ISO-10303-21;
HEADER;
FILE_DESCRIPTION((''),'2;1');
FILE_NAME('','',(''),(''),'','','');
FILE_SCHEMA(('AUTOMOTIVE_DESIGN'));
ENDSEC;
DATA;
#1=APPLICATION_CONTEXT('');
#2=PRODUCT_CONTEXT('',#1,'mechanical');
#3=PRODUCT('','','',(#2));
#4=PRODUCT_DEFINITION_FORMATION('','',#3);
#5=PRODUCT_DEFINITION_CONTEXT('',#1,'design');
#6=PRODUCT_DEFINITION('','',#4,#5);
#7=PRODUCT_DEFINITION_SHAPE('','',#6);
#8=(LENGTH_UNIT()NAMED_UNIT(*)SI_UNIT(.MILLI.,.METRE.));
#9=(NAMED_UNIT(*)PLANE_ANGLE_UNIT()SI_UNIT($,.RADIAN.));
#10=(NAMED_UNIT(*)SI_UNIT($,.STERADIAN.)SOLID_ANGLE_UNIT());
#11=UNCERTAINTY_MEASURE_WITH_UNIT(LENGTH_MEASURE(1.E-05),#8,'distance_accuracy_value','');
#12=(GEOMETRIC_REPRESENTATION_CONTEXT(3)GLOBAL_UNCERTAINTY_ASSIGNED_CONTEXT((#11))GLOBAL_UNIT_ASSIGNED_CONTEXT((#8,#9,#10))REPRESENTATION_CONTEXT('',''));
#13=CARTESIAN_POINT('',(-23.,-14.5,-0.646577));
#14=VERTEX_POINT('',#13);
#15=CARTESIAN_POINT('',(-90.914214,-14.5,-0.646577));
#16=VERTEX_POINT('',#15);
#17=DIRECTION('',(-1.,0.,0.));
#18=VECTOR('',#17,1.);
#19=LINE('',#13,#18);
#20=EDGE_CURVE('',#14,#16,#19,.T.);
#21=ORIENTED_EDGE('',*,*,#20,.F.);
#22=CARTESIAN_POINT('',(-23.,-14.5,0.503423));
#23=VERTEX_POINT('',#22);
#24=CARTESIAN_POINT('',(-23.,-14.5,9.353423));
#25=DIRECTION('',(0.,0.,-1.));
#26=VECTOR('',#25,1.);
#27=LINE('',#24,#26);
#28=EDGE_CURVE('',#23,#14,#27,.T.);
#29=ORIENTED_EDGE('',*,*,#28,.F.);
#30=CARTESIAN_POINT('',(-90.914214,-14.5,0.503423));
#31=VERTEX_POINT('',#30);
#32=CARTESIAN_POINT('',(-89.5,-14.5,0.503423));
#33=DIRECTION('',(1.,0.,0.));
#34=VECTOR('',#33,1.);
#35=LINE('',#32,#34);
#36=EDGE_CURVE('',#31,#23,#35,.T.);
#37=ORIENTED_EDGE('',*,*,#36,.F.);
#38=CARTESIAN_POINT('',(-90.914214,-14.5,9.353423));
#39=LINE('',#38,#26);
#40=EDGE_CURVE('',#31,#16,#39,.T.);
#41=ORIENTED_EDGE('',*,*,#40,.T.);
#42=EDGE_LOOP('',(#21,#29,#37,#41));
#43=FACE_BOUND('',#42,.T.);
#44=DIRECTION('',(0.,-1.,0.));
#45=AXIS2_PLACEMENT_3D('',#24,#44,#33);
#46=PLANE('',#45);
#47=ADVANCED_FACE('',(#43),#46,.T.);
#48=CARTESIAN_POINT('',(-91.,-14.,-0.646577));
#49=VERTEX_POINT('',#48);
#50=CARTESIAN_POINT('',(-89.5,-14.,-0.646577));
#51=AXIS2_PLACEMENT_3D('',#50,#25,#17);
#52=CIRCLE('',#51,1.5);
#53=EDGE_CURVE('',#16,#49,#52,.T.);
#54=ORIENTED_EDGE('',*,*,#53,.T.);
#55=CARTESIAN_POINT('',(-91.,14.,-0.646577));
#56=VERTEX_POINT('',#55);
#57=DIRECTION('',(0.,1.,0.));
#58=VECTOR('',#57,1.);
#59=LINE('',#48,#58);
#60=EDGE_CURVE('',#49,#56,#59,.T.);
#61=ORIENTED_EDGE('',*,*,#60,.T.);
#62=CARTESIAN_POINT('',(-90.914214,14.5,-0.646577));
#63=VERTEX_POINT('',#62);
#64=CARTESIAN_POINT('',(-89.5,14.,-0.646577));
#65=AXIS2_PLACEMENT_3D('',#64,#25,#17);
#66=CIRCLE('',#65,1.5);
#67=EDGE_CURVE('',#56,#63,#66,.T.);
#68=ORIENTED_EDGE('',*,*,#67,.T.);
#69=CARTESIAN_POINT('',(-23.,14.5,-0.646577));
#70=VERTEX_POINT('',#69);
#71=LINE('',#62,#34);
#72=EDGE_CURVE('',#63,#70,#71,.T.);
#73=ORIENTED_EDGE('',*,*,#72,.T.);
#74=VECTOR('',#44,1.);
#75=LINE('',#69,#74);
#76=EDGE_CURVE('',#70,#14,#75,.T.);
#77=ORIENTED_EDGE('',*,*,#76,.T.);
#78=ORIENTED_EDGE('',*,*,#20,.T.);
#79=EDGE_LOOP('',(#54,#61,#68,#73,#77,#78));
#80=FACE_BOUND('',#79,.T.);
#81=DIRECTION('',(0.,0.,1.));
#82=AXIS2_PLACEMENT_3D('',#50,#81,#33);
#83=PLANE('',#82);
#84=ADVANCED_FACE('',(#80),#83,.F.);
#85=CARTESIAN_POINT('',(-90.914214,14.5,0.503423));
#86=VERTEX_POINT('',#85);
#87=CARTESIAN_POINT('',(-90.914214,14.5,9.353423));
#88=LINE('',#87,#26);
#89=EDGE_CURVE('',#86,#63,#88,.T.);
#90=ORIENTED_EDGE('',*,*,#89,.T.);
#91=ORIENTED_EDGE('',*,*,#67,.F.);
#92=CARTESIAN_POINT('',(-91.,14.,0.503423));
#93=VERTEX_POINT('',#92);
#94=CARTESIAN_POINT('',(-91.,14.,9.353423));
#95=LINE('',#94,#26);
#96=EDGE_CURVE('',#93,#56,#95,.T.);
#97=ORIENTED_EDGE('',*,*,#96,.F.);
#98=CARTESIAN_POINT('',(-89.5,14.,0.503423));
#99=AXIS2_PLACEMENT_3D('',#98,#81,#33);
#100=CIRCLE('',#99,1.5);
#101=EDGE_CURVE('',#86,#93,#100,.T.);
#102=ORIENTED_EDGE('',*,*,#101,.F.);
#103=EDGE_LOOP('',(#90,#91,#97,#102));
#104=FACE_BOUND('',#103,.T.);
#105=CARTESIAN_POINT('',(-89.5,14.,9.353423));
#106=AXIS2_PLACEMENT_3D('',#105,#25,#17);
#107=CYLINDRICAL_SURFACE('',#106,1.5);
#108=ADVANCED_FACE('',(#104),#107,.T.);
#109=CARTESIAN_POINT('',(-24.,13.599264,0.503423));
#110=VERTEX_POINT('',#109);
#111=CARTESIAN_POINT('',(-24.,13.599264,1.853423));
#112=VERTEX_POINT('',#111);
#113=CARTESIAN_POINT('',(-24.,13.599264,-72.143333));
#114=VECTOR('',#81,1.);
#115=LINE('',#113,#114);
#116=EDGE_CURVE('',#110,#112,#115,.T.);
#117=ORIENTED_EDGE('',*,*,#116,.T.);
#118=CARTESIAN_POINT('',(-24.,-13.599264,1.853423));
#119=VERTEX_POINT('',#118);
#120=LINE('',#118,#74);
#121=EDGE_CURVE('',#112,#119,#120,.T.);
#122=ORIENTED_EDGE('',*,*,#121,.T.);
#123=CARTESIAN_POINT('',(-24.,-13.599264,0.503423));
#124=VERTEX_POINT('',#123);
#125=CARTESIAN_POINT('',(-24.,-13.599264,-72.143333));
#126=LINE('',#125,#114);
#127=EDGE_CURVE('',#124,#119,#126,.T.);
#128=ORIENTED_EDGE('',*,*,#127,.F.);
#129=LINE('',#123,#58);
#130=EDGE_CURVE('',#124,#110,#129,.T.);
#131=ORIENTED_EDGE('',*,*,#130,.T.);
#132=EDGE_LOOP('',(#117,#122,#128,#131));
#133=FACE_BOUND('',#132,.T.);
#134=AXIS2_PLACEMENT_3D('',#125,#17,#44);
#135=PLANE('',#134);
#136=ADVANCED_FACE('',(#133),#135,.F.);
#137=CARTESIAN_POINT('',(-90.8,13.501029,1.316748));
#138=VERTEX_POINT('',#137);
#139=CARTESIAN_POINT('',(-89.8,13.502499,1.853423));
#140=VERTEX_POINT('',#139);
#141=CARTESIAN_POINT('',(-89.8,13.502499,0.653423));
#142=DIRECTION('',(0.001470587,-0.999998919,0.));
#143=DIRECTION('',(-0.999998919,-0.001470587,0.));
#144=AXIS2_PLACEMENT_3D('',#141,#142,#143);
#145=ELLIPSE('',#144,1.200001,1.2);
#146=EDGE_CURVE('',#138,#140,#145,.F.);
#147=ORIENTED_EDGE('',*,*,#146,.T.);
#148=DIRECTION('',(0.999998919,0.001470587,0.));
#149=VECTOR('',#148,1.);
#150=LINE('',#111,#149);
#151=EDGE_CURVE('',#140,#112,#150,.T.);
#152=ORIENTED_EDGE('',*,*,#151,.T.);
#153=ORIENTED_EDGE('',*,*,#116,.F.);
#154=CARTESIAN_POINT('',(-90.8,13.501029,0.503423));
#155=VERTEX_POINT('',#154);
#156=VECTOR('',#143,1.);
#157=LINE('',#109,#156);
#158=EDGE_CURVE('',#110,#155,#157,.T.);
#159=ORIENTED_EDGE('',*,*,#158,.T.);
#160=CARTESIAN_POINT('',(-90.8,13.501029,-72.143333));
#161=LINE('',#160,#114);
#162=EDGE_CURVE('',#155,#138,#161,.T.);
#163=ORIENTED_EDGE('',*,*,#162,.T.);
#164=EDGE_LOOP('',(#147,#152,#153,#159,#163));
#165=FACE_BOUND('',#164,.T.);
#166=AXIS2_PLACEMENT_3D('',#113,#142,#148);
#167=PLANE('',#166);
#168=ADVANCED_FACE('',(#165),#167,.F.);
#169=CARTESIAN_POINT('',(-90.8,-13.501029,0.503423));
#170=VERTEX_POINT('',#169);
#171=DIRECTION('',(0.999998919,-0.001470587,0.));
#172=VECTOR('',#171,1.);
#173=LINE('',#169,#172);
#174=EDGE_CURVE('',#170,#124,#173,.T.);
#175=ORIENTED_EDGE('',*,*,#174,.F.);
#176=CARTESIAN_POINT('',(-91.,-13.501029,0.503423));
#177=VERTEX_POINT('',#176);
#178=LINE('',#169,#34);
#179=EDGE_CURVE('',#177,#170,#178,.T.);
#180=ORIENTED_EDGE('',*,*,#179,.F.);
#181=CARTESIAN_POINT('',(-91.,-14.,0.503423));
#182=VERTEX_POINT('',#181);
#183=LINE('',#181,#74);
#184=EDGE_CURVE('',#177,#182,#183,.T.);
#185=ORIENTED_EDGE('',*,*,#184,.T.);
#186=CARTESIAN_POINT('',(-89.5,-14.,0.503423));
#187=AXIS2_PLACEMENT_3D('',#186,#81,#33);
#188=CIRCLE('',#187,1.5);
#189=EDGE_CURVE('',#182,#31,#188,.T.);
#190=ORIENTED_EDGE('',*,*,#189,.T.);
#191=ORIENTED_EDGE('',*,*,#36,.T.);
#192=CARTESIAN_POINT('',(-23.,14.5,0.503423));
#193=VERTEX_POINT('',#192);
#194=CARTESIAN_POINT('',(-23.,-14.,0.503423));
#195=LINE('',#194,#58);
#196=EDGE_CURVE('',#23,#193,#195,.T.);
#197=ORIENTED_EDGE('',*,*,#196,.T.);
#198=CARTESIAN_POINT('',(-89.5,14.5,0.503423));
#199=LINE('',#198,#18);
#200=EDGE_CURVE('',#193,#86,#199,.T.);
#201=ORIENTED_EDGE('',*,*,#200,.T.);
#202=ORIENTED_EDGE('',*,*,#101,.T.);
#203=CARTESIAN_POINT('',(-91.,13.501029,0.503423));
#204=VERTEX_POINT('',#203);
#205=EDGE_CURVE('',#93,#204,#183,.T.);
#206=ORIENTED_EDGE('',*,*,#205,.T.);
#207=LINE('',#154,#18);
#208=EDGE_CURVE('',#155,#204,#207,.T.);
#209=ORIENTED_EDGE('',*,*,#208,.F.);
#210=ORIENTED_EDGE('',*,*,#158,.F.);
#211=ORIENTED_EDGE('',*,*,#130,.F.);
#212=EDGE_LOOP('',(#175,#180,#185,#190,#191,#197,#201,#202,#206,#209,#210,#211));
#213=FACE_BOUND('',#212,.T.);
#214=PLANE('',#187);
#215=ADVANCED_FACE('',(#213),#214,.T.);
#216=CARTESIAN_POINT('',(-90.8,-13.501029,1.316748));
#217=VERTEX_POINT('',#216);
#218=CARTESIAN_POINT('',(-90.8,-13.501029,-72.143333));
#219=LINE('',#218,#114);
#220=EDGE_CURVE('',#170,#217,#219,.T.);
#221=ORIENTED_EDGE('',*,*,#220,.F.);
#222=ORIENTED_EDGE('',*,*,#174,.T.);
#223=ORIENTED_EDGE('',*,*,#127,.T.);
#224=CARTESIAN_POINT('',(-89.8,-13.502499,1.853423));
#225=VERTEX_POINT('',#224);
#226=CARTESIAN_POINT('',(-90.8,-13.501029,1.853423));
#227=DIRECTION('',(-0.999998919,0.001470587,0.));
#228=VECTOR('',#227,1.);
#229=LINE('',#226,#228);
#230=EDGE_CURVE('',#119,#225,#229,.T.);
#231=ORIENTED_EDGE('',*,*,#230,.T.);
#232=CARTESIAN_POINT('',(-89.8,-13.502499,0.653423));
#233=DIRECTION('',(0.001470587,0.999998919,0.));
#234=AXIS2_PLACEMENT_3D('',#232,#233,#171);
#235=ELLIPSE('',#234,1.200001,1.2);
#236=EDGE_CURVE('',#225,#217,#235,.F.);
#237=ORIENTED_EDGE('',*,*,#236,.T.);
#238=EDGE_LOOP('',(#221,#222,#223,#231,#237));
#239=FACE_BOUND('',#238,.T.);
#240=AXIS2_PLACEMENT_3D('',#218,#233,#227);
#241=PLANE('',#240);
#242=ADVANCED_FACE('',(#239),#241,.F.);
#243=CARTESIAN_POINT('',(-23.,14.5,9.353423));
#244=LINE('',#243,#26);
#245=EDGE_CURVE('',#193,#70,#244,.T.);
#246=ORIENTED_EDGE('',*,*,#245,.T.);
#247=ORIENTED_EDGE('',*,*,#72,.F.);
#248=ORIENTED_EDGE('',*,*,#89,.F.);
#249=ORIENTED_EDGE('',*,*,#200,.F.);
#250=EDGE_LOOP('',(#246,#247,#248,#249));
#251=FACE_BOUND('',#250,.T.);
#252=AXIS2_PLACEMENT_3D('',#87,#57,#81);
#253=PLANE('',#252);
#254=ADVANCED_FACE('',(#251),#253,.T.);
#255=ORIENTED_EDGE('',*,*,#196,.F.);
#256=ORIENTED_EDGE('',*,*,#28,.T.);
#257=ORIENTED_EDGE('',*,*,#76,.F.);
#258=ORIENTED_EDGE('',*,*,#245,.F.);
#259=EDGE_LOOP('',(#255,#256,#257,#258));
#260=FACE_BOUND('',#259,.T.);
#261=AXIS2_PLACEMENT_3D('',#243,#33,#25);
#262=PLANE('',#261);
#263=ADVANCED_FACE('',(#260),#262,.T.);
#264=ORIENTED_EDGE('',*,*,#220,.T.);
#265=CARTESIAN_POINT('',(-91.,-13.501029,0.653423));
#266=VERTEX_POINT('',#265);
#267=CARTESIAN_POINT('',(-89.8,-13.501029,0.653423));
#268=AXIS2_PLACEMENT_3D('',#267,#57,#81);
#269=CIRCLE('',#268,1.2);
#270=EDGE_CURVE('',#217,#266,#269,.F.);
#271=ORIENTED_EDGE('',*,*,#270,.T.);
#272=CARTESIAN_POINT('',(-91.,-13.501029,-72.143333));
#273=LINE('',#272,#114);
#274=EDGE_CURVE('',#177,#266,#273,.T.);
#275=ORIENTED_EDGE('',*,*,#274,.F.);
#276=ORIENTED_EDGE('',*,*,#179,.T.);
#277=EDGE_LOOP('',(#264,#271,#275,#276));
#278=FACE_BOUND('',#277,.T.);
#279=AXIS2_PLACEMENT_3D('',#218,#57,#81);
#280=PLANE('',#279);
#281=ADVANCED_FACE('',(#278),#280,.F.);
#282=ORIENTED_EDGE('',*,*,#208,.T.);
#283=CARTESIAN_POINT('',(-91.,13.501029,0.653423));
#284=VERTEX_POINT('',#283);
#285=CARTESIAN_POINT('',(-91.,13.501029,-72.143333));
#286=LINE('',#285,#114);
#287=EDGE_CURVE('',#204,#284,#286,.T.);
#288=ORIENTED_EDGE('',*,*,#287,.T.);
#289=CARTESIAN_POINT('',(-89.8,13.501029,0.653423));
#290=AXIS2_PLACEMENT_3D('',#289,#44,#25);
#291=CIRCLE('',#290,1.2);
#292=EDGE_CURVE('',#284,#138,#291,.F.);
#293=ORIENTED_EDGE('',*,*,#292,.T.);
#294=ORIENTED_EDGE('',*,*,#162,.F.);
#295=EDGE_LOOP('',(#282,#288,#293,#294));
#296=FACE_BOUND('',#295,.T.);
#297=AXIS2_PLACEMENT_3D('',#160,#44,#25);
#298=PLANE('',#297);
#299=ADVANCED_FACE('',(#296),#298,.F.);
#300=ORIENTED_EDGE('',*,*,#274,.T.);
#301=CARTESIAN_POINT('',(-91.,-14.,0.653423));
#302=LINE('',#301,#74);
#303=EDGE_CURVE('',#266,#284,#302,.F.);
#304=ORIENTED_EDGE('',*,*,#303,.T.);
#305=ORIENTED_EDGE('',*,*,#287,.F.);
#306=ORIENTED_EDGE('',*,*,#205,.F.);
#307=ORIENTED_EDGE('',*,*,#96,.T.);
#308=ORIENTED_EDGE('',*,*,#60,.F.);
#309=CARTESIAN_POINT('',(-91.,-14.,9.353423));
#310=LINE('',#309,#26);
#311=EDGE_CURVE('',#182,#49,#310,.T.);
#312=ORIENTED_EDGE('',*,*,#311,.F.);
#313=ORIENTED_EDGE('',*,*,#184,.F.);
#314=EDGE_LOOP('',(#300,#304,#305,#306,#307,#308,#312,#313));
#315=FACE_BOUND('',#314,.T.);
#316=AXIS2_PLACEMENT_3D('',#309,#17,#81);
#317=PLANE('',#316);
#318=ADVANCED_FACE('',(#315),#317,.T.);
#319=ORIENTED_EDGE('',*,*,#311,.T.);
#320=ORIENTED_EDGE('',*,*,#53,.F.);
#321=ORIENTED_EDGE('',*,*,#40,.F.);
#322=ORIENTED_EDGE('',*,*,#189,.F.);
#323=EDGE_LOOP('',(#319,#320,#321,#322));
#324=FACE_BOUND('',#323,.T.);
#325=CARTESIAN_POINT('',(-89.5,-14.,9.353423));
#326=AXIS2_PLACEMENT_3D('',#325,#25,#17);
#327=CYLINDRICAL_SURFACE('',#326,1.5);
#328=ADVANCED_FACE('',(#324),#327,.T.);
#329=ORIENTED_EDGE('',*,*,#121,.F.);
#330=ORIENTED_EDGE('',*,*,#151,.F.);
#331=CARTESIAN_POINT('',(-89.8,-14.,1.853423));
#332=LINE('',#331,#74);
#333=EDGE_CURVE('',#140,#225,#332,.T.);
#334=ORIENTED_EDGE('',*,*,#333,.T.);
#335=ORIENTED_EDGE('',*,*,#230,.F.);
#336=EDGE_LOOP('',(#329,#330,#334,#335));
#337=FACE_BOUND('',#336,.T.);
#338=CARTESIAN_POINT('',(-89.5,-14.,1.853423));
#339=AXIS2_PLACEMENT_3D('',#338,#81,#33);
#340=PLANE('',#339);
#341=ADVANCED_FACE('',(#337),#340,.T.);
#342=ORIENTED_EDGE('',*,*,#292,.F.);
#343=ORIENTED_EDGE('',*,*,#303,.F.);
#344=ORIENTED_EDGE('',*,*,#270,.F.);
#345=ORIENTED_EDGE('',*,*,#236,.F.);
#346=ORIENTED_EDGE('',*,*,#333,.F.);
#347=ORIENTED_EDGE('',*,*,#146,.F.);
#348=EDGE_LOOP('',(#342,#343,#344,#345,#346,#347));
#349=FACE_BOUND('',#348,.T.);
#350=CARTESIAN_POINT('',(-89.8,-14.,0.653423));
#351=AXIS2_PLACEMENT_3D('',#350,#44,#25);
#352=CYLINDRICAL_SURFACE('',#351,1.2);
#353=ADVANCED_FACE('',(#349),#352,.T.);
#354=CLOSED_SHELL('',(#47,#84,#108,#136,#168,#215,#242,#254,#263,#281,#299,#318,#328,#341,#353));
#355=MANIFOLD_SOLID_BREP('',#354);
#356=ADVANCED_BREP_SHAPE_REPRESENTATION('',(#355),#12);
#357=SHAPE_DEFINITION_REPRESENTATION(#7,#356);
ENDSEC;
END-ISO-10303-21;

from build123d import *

# Parameters (mm, degrees)
EXTRUDE_1_DEPTH     = 1.15
CUT_EXTRUDE_1_DEPTH = 1.23
EXTRUDE_2_DEPTH     = 1.35
CUT_EXTRUDE_START   = -10
CUT_EXTRUDE_2_DEPTH = 10
CUT_EXTRUDE_3_DEPTH = 1.35
FILLET_1_R          = 1.2


with BuildPart() as part:
    # 草图1 → 凸台-拉伸1 (new body)
    with BuildSketch(Plane.XY.offset(-0.646576548)):
        with BuildLine():
            Line((-91.3, 11.1), (-91.3, -11.1))
            Line((-91.3, -11.1), (-91.3, -14))
            ThreePointArc((-91.3, -14), (-91.252485776, -14.410844989), (-91.11245155, -14.8))
            Line((-91.11245155, -14.8), (-22.7, -14.8))
            Line((-22.7, -14.8), (-22.7, 14.8))
            Line((-22.7, 14.8), (-91.11245155, 14.8))
            ThreePointArc((-91.11245155, 14.8), (-91.252485776, 14.410844989), (-91.3, 14))
            Line((-91.3, 14), (-91.3, 11.1))
        make_face()
    extrude(amount=EXTRUDE_1_DEPTH)

    # 草图2 → 切除-拉伸1 (cut)
    with BuildSketch(Plane.XY.offset(0.503423452)):
        with BuildLine():
            Line((-91.4, 14), (-91.4, -14))
            ThreePointArc((-91.4, -14), (-91.342458697, -14.464053822), (-91.173320053, -14.9))
            Line((-91.173320053, -14.9), (-22.6, -14.9))
            Line((-22.6, -14.9), (-22.6, 14.9))
            Line((-22.6, 14.9), (-91.173320053, 14.9))
            ThreePointArc((-91.173320053, 14.9), (-91.342458697, 14.464053822), (-91.4, 14))
        make_face()
        with BuildLine():
            Line((-91.2, 14), (-91.2, -14))
            ThreePointArc((-91.2, -14), (-91.161870734, -14.358030253), (-91.049193338, -14.7))
            Line((-91.049193338, -14.7), (-22.8, -14.7))
            Line((-22.8, -14.7), (-22.8, 14.7))
            Line((-22.8, 14.7), (-91.049193338, 14.7))
            ThreePointArc((-91.049193338, 14.7), (-91.161870734, 14.358030253), (-91.2, 14))
        make_face(mode=Mode.SUBTRACT)
    extrude(amount=-CUT_EXTRUDE_1_DEPTH, mode=Mode.SUBTRACT)

    # 草图4 → 凸台-拉伸2 (add)
    with BuildSketch(Plane.XY.offset(0.503423452)):
        Polygon((-91.2, 13.700440852), (-23.8, 13.799558499), (-23.8, -13.799558499), (-91.2, -13.700440852), align=None)
    extrude(amount=EXTRUDE_2_DEPTH)

    # 草图5 → 切除-拉伸2 (cut)
    with BuildSketch(Plane(origin=(0, 0, -0.646576548), x_dir=(-1, 0, 0), z_dir=(0, 0, -1)).offset(CUT_EXTRUDE_START)):
        with BuildLine():
            Line((91.049193338, 14.7), (22.8, 14.7))
            Line((22.8, 14.7), (22.8, -14.7))
            Line((22.8, -14.7), (91.049193338, -14.7))
            ThreePointArc((91.049193338, -14.7), (91.161870734, -14.358030253), (91.2, -14))
            Line((91.2, -14), (91.2, 14))
            ThreePointArc((91.2, 14), (91.161870734, 14.358030253), (91.049193338, 14.7))
        make_face()
        with BuildLine():
            Line((90.914213562, 14.5), (23, 14.5))
            Line((23, 14.5), (23, -14.5))
            Line((23, -14.5), (90.914213562, -14.5))
            ThreePointArc((90.914213562, -14.5), (90.978397839, -14.253652968), (91, -14))
            Line((91, -14), (91, 14))
            ThreePointArc((91, 14), (90.978397839, 14.253652968), (90.914213562, 14.5))
        make_face(mode=Mode.SUBTRACT)
    extrude(amount=CUT_EXTRUDE_2_DEPTH, mode=Mode.SUBTRACT)

    # 草图6 → 切除-拉伸3 (cut)
    with BuildSketch(Plane.XY.offset(1.853423452)):
        Polygon((-24, 13.599264165), (-90.8, 13.501028871), (-91, 13.501028871), (-91, 13.70073497), (-23.8, 13.799558499), (-23.8, -13.799558499), (-91, -13.70073497), (-91, -13.501028871), (-90.8, -13.501028871), (-24, -13.599264165), align=None)
    extrude(amount=-CUT_EXTRUDE_3_DEPTH, mode=Mode.SUBTRACT)

    # 圆角1
    fillet_1_edges = [part.edges().sort_by_distance(p)[0] for p in [
        (-91, 0, 1.853423452),
    ]]
    fillet(fillet_1_edges, radius=FILLET_1_R)


solid = part.part
